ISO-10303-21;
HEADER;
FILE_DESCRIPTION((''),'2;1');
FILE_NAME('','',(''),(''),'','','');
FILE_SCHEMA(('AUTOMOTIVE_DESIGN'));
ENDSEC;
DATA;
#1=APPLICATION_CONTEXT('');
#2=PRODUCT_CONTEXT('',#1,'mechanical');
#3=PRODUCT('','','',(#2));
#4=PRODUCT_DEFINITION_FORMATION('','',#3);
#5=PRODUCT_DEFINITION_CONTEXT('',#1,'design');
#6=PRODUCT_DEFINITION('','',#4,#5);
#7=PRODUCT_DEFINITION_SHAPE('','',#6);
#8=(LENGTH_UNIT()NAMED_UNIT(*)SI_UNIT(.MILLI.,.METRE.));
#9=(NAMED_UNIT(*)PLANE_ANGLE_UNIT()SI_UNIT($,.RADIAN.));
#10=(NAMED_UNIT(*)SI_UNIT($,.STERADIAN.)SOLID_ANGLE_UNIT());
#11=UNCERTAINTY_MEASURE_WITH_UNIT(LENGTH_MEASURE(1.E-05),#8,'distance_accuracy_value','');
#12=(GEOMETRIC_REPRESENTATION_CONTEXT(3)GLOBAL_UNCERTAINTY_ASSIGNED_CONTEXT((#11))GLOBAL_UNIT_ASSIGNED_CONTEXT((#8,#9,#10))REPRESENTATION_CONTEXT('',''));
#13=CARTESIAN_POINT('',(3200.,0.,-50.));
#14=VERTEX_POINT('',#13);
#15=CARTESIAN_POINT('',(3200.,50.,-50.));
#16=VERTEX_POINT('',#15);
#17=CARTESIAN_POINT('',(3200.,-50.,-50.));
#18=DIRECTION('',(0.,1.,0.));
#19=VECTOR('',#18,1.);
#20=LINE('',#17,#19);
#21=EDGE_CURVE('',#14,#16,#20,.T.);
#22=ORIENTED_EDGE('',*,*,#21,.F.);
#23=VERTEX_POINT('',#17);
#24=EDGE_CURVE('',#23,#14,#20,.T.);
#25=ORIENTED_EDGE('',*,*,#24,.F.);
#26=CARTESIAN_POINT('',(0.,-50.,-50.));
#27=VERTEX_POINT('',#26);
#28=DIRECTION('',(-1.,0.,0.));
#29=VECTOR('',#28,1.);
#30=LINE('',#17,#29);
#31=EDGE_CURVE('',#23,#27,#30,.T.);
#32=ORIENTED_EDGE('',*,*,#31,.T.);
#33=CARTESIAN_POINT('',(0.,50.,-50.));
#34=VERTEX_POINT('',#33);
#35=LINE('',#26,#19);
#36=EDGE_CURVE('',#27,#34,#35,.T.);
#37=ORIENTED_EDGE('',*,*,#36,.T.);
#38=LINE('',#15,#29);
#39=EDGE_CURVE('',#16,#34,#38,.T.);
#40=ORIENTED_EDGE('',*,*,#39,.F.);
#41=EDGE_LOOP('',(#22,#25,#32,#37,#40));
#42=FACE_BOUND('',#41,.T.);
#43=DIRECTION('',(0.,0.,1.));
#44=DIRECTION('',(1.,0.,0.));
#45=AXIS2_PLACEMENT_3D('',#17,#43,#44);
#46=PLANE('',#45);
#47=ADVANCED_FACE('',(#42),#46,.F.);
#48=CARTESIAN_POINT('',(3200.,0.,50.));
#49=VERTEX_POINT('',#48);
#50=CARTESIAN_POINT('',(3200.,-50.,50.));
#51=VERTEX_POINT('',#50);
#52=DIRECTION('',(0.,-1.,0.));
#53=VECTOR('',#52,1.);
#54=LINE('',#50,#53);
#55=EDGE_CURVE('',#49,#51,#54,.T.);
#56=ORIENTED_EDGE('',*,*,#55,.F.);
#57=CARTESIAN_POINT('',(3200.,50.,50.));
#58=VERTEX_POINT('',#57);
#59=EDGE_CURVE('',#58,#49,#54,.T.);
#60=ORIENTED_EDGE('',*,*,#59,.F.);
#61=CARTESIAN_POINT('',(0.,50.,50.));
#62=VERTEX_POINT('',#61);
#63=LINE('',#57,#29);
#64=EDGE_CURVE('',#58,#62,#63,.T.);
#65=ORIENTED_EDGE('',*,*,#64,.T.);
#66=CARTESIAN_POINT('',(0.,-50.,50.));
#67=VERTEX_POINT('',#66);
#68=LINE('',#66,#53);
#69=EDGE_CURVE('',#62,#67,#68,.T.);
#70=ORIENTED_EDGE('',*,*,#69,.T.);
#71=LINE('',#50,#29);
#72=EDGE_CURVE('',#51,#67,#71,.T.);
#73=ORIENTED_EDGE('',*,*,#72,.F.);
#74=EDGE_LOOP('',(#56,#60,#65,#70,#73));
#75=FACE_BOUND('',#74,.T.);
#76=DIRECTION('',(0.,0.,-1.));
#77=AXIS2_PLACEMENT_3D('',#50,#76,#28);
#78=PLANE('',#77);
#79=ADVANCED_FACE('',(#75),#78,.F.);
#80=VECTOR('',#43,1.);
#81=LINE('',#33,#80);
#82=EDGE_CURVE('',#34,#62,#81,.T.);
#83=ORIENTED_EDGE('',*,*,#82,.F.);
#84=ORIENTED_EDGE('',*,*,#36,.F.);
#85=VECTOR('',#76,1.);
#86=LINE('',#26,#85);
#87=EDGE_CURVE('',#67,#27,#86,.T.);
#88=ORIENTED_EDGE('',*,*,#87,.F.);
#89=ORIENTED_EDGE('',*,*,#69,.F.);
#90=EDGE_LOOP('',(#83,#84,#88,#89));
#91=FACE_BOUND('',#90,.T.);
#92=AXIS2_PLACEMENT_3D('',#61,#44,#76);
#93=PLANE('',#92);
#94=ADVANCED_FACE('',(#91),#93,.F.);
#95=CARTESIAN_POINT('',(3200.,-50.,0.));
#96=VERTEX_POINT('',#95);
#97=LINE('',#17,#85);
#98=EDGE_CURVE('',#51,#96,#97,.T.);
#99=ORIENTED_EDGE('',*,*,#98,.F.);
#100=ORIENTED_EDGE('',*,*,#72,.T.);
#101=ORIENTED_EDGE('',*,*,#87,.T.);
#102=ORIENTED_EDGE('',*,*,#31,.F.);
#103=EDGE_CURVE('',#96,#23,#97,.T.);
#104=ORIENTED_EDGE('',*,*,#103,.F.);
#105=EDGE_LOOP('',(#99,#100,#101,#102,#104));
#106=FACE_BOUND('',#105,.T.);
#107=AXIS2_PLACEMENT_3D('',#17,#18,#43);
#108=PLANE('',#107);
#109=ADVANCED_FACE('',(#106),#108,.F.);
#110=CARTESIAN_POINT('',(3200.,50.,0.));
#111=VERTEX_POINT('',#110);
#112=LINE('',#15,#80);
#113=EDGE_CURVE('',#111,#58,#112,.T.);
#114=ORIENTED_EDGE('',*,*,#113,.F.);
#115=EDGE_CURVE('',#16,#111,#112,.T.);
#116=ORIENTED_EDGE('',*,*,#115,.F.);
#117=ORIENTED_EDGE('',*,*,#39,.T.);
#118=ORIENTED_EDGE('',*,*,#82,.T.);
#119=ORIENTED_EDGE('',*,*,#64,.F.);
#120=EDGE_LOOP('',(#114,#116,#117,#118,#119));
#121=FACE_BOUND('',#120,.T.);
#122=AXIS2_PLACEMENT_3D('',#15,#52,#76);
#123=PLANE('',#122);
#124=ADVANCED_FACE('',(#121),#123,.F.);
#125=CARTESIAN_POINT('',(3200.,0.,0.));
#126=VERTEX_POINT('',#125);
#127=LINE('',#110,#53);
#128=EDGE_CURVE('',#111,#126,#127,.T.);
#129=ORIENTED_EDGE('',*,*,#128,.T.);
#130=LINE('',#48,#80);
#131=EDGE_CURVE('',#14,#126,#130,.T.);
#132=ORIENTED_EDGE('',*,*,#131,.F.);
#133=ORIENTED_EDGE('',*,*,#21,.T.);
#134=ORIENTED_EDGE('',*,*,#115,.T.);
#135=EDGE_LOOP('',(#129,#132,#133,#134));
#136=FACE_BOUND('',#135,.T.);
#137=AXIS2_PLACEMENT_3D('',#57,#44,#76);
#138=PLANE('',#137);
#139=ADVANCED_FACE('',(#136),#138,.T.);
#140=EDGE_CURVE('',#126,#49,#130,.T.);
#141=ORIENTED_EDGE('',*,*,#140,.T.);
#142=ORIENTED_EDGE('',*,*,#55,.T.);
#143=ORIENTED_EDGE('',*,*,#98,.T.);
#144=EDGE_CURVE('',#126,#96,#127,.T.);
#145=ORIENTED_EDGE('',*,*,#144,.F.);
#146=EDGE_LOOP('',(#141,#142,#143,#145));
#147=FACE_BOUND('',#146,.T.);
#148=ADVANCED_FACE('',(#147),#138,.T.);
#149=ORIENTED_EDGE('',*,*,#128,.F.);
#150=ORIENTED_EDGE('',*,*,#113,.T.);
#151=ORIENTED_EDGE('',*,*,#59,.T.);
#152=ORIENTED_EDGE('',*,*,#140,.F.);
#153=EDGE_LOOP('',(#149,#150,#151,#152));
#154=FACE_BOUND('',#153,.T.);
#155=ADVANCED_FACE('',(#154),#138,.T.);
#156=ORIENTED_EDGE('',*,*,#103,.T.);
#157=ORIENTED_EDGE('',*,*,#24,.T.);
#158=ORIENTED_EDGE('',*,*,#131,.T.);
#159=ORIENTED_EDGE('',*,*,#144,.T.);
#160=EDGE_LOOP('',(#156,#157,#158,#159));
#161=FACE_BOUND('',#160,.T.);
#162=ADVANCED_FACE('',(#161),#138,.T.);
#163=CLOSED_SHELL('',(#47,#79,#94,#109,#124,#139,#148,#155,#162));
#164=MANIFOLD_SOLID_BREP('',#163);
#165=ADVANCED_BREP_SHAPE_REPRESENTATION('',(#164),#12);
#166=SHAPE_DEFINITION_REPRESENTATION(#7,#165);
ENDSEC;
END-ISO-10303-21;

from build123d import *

# Parameters (mm, degrees)
SKETCH6_W      = 100
SKETCH6_H      = 100
EXTRUDE2_DEPTH = 3200


with BuildPart() as part:
    # Sketch6 → Extrude2 (new body)
    with BuildSketch(Plane(origin=(0, 0, 0), x_dir=(0, 0, -1), z_dir=(1, 0, 0))):
        Rectangle(SKETCH6_W, SKETCH6_H)
    extrude(amount=EXTRUDE2_DEPTH)


solid = part.part
